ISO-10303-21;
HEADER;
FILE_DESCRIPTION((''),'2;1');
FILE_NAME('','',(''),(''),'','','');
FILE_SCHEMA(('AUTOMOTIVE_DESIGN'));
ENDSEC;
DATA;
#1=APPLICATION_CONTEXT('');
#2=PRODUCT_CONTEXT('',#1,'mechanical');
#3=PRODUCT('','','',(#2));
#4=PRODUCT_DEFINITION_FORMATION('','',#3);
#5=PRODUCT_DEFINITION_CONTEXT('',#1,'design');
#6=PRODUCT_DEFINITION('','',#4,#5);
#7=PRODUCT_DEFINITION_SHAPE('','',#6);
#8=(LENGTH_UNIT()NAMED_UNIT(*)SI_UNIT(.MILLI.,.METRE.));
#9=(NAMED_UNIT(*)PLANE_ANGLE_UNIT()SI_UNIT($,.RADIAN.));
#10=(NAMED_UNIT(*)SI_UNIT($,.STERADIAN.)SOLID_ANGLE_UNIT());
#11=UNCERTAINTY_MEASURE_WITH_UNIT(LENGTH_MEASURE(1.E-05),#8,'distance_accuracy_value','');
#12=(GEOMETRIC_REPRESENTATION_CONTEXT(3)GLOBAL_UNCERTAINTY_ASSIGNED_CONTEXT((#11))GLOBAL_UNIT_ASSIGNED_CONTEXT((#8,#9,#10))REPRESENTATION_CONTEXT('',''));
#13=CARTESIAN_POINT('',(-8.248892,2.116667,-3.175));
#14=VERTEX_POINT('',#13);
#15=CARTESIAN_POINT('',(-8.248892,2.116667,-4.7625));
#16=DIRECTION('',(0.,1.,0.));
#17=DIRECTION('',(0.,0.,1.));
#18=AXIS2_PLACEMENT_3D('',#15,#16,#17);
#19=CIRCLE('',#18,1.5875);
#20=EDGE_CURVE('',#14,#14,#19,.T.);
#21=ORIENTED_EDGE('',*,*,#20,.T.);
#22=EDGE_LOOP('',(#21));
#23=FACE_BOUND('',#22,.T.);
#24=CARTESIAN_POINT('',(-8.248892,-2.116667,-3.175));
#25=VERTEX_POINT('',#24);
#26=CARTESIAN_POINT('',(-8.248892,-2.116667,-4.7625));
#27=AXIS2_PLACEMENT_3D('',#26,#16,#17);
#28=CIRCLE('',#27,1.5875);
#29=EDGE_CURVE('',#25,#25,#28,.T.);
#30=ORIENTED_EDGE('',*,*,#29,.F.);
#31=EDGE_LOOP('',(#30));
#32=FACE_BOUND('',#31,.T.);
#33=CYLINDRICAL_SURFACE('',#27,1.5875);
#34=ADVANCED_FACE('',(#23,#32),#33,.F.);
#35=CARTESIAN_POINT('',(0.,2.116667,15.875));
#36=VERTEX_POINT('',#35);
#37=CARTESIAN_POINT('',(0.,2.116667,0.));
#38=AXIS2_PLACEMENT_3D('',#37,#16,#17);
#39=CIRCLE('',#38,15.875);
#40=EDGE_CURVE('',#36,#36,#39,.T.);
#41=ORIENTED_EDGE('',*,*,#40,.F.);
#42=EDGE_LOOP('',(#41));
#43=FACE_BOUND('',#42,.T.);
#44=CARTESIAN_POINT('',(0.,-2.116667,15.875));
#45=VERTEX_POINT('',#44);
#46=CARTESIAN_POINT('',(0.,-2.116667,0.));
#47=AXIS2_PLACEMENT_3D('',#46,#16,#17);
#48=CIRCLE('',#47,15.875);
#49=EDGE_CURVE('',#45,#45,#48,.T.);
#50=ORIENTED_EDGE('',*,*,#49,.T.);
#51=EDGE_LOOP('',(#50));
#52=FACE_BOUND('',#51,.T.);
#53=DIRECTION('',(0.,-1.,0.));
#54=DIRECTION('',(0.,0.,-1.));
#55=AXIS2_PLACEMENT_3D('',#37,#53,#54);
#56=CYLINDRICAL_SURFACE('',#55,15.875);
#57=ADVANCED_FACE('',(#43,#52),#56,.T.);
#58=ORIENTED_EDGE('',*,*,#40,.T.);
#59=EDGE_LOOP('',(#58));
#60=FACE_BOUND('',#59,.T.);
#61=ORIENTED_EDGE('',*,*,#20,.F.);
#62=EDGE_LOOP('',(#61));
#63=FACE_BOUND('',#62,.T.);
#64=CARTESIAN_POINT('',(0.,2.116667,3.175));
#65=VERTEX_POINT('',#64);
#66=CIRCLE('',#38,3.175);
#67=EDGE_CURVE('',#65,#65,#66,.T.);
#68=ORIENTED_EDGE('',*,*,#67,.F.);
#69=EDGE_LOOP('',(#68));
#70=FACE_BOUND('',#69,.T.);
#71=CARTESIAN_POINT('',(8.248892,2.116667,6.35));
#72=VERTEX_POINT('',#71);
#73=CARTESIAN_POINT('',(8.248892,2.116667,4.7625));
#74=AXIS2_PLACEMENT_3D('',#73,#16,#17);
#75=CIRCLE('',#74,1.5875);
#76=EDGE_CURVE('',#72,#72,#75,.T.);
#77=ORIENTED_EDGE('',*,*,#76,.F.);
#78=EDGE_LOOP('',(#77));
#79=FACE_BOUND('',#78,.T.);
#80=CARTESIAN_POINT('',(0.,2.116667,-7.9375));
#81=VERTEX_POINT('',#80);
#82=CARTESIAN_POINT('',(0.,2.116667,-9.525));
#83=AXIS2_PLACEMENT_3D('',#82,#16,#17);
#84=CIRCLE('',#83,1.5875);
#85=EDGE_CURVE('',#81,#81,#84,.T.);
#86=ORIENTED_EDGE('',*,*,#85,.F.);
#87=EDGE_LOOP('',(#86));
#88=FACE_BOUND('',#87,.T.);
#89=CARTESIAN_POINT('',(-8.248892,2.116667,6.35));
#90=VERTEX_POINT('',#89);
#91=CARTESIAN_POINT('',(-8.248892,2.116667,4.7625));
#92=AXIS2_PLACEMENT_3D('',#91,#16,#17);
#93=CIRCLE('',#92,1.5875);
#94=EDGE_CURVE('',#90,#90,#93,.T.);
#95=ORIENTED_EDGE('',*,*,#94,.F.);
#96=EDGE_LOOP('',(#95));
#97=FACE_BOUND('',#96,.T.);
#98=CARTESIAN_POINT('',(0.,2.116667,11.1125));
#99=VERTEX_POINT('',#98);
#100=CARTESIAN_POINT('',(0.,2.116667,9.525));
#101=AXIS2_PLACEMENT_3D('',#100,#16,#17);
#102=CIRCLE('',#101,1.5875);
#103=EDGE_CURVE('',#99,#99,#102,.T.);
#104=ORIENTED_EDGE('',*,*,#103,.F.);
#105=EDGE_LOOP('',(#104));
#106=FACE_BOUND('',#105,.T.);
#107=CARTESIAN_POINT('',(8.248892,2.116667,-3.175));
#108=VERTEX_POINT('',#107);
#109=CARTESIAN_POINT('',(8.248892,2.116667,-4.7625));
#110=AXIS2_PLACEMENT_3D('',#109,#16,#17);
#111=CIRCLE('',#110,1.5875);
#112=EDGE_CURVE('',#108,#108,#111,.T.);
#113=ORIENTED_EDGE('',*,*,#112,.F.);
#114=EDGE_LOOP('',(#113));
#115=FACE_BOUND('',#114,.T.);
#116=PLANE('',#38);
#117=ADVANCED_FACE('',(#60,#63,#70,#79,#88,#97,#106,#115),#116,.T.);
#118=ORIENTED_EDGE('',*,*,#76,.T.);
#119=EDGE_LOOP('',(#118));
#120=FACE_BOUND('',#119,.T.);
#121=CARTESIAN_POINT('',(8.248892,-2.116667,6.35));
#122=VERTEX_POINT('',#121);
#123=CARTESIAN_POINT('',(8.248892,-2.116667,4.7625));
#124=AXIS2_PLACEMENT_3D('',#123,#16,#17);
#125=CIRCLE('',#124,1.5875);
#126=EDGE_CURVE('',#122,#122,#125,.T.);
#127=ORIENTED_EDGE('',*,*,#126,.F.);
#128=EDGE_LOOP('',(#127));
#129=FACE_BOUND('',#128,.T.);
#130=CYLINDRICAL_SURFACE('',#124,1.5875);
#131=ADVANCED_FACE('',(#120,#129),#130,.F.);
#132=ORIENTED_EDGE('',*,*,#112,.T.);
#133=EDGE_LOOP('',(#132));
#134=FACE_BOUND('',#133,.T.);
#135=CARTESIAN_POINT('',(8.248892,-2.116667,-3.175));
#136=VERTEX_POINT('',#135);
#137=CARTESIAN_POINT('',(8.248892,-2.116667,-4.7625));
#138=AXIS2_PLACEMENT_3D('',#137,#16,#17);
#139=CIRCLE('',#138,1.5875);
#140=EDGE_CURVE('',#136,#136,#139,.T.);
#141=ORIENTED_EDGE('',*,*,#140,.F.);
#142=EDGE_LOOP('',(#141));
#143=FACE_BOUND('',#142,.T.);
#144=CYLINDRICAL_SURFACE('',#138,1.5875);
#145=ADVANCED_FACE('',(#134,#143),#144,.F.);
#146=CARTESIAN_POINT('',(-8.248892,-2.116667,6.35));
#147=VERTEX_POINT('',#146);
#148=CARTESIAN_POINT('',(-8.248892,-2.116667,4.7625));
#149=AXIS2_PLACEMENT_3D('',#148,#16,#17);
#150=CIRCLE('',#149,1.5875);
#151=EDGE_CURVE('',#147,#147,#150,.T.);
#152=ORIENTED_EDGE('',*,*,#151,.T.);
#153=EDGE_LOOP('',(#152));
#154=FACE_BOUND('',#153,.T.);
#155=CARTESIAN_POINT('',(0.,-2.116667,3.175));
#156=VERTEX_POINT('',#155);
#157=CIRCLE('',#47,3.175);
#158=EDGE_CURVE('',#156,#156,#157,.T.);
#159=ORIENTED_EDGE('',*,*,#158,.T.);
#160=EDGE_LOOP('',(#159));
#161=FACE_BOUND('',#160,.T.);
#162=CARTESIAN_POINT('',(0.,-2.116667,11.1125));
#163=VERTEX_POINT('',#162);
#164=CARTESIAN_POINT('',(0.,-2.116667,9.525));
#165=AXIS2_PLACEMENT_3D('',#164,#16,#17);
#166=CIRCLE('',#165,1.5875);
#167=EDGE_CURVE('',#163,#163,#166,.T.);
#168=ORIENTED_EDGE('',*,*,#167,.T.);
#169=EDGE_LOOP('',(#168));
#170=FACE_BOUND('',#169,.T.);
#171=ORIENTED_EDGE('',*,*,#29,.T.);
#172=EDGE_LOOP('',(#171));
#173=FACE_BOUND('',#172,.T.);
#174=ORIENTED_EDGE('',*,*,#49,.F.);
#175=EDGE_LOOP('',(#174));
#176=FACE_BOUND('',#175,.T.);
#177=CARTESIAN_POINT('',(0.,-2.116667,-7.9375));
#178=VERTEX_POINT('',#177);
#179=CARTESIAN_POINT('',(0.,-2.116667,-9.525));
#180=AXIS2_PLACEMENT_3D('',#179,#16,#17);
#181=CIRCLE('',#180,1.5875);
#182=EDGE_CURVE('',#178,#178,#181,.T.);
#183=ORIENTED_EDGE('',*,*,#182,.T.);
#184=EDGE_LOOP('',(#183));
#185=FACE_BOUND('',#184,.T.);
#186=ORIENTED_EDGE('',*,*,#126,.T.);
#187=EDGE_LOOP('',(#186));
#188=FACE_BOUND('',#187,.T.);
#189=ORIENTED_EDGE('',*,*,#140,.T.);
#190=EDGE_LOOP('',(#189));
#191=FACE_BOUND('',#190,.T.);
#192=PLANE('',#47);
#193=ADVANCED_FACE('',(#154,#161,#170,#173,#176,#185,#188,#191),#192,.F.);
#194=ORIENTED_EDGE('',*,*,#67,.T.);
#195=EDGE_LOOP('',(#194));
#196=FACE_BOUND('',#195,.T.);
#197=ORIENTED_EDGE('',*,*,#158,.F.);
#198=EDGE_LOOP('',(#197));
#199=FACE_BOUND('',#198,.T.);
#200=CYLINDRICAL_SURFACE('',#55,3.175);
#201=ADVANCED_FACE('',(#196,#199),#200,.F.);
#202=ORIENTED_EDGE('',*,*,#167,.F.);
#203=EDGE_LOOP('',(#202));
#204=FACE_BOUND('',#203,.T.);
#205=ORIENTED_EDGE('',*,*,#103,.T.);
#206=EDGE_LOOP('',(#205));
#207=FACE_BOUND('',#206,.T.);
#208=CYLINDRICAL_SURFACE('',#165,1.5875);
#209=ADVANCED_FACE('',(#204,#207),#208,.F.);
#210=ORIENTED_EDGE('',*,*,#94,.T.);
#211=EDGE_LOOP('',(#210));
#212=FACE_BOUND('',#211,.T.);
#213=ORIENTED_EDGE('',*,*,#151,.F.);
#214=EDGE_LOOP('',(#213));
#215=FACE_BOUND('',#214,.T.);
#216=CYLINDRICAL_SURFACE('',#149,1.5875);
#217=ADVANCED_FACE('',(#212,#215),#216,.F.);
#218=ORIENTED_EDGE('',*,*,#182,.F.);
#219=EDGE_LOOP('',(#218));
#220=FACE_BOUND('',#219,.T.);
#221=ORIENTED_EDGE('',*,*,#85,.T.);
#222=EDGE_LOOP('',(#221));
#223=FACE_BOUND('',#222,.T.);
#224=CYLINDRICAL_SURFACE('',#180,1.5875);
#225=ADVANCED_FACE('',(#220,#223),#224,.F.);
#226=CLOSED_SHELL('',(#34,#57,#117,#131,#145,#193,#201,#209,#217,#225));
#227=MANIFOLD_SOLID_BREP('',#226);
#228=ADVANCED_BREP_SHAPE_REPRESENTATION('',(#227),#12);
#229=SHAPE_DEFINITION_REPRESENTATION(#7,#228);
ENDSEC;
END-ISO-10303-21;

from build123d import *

# Parameters (mm, degrees)
SKETCH1_R               = 15.875
SKETCH1_R_2             = 3.175
BOSS_EXTRUDE1_DEPTH     = 2.116666667
SKETCH2_R               = 1.5875
CUT_EXTRUDE1_DEPTH      = 3.116666667
CUT_EXTRUDE1_DEPTH_BACK = 3.116666667


with BuildPart() as part:
    # Sketch1 → Boss-Extrude1 (new body, symmetric)
    with BuildSketch(Plane(origin=(0, 0, 0), x_dir=(1, 0, 0), z_dir=(0, 1, 0))):
        Circle(SKETCH1_R)
        Circle(SKETCH1_R_2, mode=Mode.SUBTRACT)
    extrude(amount=BOSS_EXTRUDE1_DEPTH, both=True)

    # Sketch2 → Cut-Extrude1 (cut, two sides)
    with BuildSketch(Plane(origin=(0, 0, 0), x_dir=(1, 0, 0), z_dir=(0, 1, 0))) as cut_extrude1_sk:
        with Locations((0, 9.525)):
            Circle(SKETCH2_R)
        with Locations((8.248891971, 4.7625)):
            Circle(SKETCH2_R)
        with Locations((8.248891971, -4.7625)):
            Circle(SKETCH2_R)
        with Locations((0, -9.525)):
            Circle(SKETCH2_R)
        with Locations((-8.248891971, -4.7625)):
            Circle(SKETCH2_R)
        with Locations((-8.248891971, 4.7625)):
            Circle(SKETCH2_R)
    extrude(amount=CUT_EXTRUDE1_DEPTH, mode=Mode.SUBTRACT)
    extrude(cut_extrude1_sk.sketch, amount=-CUT_EXTRUDE1_DEPTH_BACK, mode=Mode.SUBTRACT)


solid = part.part
